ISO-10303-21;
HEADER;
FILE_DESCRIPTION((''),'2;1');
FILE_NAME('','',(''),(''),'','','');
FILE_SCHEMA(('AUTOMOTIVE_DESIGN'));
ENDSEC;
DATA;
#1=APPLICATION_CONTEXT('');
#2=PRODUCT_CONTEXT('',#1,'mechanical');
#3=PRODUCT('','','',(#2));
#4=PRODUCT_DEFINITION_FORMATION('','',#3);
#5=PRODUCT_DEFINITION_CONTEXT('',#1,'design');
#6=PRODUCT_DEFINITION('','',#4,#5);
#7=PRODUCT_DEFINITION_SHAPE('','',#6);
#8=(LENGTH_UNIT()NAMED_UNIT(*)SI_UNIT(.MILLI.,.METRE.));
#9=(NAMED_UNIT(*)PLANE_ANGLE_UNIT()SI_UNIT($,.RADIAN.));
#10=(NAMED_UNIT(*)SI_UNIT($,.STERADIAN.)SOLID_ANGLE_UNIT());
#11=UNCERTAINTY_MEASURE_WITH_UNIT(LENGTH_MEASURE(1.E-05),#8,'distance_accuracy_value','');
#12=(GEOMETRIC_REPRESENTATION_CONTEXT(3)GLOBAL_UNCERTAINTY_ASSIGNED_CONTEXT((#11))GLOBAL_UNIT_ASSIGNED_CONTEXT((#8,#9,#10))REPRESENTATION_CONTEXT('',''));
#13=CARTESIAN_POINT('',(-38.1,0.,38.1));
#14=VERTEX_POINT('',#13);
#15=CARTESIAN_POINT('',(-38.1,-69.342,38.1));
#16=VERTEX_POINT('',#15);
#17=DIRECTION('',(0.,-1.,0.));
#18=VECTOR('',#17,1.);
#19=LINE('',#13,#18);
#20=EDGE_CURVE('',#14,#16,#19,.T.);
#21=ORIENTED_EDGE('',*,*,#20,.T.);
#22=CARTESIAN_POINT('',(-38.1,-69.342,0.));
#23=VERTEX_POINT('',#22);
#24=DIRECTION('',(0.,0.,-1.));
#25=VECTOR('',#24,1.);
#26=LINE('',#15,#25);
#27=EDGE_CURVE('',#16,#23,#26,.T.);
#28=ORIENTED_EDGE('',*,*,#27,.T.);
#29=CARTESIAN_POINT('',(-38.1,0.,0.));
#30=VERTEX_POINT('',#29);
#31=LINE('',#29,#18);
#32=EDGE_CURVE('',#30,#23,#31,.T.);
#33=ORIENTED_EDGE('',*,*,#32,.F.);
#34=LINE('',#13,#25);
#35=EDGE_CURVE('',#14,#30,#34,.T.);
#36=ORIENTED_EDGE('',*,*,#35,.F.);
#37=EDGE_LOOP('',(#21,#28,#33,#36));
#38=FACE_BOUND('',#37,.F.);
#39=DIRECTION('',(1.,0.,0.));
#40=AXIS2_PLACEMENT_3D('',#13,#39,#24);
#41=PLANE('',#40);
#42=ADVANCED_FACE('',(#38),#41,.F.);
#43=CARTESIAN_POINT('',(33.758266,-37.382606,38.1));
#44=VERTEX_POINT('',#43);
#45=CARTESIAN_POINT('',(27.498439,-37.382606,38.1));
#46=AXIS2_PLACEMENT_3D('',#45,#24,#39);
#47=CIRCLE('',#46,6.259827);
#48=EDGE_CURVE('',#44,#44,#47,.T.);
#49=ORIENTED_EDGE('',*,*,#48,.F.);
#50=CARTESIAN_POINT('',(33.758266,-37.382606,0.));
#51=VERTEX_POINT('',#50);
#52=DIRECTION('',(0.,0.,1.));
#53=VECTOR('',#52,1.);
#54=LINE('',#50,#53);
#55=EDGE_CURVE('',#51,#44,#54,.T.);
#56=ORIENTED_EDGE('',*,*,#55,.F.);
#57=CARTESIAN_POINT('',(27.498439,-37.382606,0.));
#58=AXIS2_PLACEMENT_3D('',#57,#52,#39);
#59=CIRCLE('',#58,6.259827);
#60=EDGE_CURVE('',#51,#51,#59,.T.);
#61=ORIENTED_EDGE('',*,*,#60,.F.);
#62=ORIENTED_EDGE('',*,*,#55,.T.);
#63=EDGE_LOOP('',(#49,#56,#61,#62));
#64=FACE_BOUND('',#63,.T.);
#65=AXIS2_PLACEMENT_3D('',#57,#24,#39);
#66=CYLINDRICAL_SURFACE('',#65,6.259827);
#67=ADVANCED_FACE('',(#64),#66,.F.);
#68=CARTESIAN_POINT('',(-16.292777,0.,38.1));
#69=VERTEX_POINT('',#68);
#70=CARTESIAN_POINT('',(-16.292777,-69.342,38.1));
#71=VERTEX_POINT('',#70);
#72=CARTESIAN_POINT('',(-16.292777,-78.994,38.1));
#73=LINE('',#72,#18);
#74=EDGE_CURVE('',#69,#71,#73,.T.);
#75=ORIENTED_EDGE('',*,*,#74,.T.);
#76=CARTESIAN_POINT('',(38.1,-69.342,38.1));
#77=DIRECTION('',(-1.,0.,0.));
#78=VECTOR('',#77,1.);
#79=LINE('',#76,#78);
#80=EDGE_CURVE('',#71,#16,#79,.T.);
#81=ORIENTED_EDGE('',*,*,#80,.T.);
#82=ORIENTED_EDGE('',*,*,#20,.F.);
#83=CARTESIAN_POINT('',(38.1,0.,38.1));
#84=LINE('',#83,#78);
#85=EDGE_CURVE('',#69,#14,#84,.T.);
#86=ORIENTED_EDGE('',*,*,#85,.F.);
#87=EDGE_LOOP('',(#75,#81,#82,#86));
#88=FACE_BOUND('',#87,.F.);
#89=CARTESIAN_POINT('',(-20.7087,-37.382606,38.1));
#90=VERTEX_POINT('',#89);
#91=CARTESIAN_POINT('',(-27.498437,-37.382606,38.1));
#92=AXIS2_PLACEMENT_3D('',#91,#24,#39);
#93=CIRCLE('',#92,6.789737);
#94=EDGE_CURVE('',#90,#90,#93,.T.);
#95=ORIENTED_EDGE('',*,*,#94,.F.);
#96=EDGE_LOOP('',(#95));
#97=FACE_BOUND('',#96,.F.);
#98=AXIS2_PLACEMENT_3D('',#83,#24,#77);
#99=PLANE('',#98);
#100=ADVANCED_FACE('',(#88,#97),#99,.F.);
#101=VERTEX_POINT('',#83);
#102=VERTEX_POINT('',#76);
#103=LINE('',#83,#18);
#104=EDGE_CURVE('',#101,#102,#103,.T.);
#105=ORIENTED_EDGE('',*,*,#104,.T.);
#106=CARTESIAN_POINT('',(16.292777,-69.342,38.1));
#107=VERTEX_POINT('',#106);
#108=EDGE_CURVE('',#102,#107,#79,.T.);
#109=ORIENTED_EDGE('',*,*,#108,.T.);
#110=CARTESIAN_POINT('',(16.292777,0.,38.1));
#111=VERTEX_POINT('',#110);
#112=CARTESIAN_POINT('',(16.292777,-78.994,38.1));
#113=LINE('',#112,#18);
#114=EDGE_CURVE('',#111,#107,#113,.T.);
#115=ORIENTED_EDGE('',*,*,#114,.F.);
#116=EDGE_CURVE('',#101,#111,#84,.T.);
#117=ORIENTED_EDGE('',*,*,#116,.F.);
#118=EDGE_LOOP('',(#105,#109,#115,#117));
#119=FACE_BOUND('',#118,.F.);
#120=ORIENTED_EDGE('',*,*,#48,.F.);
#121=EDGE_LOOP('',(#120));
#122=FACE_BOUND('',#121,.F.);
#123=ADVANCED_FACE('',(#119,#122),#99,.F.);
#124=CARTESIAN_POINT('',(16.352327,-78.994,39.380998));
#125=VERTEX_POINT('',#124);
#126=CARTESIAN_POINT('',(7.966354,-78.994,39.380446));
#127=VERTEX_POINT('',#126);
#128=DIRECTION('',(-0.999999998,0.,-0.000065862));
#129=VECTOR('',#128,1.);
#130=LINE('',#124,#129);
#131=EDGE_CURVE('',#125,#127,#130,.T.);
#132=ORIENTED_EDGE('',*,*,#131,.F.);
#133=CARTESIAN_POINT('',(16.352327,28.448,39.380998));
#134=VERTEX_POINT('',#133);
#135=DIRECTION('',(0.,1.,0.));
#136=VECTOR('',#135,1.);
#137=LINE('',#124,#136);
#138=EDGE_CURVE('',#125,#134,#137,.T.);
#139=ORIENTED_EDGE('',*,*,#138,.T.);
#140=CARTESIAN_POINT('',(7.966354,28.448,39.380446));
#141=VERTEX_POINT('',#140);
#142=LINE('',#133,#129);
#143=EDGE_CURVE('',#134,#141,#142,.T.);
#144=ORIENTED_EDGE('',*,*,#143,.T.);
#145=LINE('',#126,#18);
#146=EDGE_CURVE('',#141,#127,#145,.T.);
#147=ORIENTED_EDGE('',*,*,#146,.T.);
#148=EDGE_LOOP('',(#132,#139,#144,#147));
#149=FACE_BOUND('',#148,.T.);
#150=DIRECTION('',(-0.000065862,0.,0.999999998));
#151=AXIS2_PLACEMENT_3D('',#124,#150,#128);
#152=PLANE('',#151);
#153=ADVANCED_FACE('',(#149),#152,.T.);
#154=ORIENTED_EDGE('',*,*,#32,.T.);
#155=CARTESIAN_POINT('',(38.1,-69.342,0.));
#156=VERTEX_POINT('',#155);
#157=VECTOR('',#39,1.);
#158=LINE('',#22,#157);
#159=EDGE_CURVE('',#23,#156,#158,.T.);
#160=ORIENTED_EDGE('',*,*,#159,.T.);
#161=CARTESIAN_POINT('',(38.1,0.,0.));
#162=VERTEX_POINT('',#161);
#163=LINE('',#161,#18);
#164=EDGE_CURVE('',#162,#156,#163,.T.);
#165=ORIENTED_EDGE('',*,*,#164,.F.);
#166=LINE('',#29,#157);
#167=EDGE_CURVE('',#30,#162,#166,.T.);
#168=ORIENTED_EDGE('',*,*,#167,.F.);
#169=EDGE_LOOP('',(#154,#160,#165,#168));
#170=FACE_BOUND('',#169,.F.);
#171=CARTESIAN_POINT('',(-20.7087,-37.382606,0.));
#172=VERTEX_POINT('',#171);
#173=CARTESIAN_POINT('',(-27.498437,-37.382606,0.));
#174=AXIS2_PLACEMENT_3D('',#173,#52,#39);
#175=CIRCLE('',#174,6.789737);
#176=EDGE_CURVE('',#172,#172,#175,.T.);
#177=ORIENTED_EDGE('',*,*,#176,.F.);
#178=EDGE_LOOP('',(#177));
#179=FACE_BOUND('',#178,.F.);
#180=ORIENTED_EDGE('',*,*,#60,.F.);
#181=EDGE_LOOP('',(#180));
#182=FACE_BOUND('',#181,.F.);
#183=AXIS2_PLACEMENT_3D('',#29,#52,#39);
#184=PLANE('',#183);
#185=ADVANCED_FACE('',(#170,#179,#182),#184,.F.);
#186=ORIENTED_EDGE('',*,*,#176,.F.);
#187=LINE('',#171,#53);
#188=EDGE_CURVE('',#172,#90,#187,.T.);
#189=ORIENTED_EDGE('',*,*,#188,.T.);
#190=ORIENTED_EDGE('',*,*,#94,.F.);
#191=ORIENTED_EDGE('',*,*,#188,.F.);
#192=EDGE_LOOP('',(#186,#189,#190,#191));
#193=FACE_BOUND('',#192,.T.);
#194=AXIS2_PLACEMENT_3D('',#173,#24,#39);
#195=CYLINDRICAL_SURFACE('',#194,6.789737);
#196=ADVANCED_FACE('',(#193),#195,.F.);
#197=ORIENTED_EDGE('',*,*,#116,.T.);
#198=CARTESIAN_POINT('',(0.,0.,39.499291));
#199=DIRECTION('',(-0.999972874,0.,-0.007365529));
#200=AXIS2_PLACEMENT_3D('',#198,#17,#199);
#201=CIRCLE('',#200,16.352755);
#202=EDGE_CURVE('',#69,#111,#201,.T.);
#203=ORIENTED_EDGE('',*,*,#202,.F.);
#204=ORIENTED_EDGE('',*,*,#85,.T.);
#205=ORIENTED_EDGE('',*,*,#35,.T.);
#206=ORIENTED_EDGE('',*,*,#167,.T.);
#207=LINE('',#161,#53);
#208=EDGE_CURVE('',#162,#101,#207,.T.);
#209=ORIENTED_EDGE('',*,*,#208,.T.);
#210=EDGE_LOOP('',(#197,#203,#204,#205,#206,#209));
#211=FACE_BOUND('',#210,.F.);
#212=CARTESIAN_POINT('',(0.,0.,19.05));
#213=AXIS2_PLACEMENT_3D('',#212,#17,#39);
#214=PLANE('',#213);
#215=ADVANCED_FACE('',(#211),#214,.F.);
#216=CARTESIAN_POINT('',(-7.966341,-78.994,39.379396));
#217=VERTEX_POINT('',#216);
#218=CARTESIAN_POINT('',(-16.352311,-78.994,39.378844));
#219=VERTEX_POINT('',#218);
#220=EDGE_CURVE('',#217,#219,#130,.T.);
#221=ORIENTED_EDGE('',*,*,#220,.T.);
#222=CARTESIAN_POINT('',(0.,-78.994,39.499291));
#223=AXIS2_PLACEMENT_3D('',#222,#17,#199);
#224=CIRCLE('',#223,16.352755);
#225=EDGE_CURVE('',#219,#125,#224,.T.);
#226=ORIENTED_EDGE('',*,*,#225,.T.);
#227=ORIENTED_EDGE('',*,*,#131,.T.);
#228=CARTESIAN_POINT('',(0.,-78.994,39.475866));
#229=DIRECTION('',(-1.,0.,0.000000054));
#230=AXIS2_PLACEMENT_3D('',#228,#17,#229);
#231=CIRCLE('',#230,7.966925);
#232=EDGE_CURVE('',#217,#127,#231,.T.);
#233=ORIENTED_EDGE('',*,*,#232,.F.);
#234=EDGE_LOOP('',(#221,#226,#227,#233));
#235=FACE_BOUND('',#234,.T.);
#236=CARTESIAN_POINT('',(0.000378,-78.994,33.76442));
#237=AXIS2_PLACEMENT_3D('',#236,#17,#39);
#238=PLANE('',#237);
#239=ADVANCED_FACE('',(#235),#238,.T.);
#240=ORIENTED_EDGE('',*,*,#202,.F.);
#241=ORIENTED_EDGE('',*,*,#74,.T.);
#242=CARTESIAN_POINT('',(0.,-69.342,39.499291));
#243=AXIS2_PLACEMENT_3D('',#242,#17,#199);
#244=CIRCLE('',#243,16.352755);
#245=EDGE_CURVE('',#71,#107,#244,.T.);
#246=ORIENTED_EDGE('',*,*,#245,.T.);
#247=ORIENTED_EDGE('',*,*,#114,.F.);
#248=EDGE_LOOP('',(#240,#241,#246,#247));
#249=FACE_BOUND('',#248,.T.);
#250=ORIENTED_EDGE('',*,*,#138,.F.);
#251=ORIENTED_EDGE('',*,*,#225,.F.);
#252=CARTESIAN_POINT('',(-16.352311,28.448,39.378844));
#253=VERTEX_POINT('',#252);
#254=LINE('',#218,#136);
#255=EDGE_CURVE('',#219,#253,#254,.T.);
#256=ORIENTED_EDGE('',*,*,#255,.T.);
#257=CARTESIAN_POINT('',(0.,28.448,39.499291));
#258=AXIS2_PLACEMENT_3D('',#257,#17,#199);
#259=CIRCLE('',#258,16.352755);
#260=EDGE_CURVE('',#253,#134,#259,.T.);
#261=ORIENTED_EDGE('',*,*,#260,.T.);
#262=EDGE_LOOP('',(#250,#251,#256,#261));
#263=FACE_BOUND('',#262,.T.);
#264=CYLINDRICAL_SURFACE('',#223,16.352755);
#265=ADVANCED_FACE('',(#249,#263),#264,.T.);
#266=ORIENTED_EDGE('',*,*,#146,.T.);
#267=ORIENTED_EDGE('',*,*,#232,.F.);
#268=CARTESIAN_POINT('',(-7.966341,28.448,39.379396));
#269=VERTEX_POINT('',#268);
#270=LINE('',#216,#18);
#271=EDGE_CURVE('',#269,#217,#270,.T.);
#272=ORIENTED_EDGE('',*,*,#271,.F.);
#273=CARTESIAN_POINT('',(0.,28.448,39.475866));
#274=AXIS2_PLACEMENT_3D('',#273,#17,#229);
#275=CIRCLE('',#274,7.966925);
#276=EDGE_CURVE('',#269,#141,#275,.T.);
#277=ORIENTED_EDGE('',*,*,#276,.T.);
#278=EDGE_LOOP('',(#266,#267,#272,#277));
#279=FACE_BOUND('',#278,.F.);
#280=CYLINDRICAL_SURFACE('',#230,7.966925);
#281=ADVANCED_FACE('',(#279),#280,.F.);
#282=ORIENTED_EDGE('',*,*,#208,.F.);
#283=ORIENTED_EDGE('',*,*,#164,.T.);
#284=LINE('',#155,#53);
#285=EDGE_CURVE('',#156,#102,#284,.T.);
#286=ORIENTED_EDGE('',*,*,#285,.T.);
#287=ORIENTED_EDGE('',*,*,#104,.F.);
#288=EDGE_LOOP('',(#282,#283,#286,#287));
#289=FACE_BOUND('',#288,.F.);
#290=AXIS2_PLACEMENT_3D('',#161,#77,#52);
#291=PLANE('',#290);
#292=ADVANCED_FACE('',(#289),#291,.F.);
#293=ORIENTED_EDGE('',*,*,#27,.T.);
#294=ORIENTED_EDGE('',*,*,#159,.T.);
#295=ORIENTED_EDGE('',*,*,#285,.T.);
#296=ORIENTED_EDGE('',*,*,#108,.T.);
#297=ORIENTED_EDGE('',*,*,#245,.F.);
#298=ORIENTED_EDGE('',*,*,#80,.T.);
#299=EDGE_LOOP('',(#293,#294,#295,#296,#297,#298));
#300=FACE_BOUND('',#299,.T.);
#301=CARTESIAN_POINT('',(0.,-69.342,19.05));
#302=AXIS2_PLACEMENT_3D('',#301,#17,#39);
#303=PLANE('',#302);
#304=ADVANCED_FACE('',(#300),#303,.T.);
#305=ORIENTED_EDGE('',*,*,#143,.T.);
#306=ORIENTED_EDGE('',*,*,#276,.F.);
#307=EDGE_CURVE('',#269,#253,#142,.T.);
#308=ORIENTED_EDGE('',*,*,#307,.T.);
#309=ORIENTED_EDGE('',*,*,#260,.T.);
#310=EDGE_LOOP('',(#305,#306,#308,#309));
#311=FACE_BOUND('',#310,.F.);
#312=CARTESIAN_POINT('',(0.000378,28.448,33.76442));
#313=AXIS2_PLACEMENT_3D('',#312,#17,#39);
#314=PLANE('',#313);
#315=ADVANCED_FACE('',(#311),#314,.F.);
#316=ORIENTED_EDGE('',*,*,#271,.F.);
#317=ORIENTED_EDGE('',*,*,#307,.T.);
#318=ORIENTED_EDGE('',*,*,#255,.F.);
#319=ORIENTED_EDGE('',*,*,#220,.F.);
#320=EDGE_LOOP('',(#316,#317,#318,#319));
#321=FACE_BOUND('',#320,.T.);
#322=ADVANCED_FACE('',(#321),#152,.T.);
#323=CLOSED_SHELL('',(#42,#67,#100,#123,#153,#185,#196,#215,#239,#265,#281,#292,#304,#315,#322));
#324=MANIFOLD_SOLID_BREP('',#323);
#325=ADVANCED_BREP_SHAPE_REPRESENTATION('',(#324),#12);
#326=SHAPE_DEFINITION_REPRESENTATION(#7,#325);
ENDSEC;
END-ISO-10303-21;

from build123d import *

# Parameters (mm, degrees)
F1_DEPTH = 69.342
F4_DEPTH = 107.442
F6_DEPTH = 136.652
F7_R     = 6.789737
F7_R_2   = 6.259827
F8_DEPTH = 85.344


with BuildPart() as f1:
    # F0 (on Front) → F1 (new body)
    with BuildSketch(Plane.XZ):
        Polygon((0, 38.1), (-38.1, 38.1), (-38.1, 0), (0, 0), (38.1, 0), (38.1, 38.1), align=None)
    extrude(amount=F1_DEPTH)

    # F3 (on offset) → F4 (join)
    with BuildSketch(Plane.XZ.offset(78.994)):
        with BuildLine():
            Line((16.352327, 39.380998), (-16.352311, 39.378844))
            ThreePointArc((-16.352311, 39.378844), (0.001077, 23.146536), (16.352327, 39.380998))
        make_face()
    extrude(amount=-F4_DEPTH)

    # F5 (on offset) → F6 (cut)
    with BuildSketch(Plane.XZ.offset(78.994)):
        with BuildLine():
            Line((0, 39.475866), (-7.966925, 39.475866))
            ThreePointArc((-7.966925, 39.475866), (-0.026347, 31.508984), (7.966751, 39.423171))
            Line((7.966751, 39.423171), (0, 39.475866))
        make_face()
    extrude(amount=-F6_DEPTH, mode=Mode.SUBTRACT)

    # F7 (on Top) → F8 (cut)
    with BuildSketch(Plane.XY):
        with Locations((-27.498437, -37.382606)):
            Circle(F7_R)
        with Locations((27.498439, -37.382606)):
            Circle(F7_R_2)
    extrude(amount=F8_DEPTH, mode=Mode.SUBTRACT)


solid = f1.part
